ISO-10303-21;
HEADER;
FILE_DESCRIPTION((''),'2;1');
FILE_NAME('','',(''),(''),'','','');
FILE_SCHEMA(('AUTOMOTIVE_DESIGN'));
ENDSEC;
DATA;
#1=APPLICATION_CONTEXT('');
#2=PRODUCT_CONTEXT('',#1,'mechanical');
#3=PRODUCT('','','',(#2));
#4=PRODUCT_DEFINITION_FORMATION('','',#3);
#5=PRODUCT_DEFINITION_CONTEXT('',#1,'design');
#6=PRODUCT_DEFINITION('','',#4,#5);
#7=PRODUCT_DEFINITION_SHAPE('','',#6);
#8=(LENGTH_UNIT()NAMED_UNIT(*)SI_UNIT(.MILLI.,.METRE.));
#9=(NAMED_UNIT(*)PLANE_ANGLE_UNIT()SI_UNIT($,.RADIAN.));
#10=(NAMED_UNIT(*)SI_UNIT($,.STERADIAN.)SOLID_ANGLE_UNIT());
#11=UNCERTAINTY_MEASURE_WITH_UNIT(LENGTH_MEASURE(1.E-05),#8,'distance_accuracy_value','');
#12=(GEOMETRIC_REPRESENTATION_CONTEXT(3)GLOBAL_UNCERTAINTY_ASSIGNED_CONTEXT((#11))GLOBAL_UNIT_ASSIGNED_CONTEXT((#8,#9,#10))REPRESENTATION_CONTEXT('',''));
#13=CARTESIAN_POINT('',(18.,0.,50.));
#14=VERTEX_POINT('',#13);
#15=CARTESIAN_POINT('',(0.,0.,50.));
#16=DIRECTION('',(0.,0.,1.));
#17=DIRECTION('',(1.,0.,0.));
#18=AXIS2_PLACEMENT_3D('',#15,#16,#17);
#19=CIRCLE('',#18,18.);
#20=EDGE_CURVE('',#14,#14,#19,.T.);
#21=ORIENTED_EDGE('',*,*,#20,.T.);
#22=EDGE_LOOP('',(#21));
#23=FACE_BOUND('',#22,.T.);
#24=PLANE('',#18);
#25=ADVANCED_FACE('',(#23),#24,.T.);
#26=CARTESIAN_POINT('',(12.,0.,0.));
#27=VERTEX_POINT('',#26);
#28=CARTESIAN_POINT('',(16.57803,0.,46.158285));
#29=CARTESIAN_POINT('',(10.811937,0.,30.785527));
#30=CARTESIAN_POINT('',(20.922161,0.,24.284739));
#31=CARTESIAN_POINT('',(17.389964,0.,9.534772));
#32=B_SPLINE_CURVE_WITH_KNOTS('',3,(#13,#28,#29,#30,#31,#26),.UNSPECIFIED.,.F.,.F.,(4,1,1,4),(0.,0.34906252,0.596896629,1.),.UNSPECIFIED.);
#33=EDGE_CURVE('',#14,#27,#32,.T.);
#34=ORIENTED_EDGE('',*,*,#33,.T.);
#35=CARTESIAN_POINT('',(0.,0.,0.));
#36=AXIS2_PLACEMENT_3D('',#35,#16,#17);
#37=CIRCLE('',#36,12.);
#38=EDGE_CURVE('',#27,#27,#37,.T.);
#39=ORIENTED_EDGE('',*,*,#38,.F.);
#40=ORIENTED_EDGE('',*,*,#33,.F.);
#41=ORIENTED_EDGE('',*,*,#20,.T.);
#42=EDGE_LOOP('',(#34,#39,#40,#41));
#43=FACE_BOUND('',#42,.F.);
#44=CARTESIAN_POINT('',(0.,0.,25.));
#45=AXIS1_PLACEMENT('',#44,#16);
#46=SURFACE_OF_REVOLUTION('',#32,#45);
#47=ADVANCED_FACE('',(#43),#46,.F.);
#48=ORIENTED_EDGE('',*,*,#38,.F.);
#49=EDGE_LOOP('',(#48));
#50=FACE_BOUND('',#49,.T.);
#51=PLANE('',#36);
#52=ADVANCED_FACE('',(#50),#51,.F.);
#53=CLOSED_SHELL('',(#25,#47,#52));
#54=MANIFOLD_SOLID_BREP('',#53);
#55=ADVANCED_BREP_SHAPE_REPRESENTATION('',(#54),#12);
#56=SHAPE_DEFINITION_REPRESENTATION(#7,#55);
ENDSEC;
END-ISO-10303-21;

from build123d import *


with BuildPart() as f1:
    # F0 (on Front) → F1 (revolve)
    with BuildSketch(Plane.XZ):
        with BuildLine():
            add(Edge.make_bspline(
                [(18, 50), (16.5780299098, 46.1582849838), (10.8119365595, 30.7855272013), (20.922161248, 24.2847389923), (17.3899637725, 9.5347716643), (12, 0)],
                knots=[0, 0, 0, 0, 0.3490625199, 0.5968966288, 1, 1, 1, 1], degree=3))
            Line((18, 50), (0, 50))
            Line((0, 50), (0, 0))
            Line((0, 0), (12, 0))
        make_face()
    revolve(axis=Axis((0, 0, 25), (0, 0, 1)))


solid = f1.part
